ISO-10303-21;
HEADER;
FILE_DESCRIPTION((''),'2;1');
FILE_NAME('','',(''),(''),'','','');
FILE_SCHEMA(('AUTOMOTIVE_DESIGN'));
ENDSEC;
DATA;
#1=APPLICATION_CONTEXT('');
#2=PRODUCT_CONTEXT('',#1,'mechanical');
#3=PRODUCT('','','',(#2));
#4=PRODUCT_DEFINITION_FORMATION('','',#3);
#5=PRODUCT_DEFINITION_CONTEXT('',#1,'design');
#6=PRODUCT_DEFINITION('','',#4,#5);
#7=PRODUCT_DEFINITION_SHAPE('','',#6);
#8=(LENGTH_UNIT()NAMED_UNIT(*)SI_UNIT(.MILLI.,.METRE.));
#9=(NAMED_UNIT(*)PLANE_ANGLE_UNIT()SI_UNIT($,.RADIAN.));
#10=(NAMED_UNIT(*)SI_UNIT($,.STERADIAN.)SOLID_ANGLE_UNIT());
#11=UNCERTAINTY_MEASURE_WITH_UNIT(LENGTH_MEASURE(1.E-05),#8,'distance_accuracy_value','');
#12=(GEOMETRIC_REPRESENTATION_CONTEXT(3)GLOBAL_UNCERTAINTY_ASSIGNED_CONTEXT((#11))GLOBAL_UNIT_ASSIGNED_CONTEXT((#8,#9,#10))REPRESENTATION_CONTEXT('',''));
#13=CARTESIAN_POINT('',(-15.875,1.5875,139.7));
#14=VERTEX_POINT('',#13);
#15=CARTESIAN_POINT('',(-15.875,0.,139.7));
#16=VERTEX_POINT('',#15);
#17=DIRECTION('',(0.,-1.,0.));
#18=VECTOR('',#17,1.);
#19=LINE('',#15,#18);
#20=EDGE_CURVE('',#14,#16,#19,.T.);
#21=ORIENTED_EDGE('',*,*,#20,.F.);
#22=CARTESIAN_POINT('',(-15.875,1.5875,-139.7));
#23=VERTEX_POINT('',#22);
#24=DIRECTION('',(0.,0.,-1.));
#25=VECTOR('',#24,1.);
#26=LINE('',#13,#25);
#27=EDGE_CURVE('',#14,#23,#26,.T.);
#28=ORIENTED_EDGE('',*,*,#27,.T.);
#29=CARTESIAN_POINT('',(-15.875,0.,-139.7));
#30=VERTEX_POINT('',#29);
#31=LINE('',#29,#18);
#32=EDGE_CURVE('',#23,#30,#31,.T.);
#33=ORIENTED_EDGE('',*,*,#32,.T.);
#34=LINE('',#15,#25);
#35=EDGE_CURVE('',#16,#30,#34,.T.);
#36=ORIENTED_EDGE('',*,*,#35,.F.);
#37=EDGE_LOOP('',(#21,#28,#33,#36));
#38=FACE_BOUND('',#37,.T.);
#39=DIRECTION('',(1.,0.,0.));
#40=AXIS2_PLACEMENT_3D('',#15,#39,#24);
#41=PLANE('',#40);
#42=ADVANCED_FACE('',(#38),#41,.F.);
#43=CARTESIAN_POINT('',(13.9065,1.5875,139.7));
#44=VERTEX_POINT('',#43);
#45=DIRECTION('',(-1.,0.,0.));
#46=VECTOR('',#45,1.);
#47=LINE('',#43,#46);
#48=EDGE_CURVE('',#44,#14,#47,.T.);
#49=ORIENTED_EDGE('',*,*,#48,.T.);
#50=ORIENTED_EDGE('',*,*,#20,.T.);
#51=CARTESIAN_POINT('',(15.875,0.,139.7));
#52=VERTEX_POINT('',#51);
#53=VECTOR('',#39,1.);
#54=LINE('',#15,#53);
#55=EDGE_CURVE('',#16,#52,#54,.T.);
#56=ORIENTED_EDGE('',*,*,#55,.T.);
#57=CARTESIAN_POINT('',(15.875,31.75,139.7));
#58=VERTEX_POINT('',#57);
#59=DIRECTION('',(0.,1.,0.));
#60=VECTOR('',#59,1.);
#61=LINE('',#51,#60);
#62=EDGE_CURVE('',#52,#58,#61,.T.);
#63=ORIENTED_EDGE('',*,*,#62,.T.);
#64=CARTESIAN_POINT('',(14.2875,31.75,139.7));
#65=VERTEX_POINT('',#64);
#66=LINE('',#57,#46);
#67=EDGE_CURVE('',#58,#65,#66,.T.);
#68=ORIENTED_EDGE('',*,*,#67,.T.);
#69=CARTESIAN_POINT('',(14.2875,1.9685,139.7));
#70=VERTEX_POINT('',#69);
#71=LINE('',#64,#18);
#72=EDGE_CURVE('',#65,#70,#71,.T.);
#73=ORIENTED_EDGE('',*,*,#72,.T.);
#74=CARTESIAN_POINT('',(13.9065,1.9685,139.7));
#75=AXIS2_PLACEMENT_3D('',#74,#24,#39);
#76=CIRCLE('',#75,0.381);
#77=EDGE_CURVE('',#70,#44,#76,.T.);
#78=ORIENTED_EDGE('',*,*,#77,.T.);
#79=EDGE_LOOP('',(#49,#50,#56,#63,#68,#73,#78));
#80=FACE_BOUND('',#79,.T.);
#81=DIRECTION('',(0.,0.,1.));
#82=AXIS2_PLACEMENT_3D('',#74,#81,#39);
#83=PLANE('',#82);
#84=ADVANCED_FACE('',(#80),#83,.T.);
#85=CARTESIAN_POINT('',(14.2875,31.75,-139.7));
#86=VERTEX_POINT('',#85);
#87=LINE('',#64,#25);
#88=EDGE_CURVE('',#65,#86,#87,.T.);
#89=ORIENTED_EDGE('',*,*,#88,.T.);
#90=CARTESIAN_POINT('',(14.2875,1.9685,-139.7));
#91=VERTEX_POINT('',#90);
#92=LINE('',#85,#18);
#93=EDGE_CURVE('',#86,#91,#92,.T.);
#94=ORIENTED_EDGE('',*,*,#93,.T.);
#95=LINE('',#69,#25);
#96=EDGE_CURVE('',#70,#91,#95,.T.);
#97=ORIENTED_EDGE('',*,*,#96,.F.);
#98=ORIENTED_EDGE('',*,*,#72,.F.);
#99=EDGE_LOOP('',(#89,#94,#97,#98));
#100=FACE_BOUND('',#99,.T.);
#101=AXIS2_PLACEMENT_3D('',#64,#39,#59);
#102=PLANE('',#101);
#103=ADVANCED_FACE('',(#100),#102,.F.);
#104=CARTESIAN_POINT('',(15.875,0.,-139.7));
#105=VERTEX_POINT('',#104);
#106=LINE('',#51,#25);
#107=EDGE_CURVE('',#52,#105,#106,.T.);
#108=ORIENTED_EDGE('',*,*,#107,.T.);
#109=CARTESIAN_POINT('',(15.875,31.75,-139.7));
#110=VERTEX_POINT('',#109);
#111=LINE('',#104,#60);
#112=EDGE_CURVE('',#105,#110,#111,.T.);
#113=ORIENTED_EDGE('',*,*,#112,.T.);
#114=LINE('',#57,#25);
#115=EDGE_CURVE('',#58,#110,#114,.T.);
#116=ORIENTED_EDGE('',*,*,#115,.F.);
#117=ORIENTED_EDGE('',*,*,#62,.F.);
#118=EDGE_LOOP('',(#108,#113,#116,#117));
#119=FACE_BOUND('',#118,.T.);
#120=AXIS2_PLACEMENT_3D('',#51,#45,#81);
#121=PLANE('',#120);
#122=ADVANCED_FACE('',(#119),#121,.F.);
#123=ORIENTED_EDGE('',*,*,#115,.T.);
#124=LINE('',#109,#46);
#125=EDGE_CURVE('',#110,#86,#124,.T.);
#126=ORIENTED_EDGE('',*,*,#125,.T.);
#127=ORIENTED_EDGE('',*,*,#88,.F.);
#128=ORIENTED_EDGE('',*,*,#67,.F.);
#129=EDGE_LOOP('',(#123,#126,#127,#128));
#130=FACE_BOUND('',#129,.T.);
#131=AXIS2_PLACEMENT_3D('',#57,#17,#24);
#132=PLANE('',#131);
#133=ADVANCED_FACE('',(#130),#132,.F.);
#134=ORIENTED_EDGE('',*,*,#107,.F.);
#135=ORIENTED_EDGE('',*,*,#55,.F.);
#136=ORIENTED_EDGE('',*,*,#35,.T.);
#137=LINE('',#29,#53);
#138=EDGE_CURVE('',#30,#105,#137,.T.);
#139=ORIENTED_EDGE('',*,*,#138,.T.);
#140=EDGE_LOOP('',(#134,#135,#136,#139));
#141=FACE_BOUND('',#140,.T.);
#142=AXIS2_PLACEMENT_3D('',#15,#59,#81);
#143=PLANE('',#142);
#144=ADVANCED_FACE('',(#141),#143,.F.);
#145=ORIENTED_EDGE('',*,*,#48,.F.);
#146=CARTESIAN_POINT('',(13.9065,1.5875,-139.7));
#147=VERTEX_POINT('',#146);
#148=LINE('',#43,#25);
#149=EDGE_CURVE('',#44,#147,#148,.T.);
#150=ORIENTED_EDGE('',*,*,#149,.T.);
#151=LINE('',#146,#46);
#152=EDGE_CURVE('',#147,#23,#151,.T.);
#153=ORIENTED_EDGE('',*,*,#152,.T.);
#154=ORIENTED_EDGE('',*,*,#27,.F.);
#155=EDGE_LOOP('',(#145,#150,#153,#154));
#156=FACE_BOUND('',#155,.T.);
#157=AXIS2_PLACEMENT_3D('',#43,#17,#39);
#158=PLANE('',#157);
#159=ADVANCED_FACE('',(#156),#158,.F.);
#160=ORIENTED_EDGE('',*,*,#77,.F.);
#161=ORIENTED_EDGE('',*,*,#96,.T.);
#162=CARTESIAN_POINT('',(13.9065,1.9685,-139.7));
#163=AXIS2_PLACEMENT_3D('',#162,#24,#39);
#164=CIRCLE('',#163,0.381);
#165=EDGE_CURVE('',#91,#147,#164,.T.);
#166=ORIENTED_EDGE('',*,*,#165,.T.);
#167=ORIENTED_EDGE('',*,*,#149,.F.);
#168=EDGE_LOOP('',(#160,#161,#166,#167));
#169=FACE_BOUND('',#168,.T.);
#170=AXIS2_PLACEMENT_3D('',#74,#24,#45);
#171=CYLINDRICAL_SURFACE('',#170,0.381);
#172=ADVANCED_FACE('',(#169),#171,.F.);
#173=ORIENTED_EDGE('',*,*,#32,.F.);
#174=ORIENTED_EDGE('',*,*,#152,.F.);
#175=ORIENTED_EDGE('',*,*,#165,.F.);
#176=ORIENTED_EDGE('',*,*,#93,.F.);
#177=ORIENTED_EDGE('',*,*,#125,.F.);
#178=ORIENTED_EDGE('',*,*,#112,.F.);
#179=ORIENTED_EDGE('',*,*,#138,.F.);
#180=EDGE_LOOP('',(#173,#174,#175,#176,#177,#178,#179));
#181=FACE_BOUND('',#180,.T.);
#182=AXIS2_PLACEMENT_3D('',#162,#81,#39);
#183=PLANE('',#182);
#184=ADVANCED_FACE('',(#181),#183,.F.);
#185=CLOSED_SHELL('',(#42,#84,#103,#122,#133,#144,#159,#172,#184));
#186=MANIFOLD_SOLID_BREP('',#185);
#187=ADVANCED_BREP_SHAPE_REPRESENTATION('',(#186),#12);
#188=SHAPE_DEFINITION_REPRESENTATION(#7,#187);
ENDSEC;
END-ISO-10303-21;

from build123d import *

# Parameters (mm, degrees)
BOSS_EXTRUDE1_DEPTH = 139.7


with BuildPart() as part:
    # Sketch2 → Boss-Extrude1 (new, symmetric)
    with BuildSketch(Plane.XY):
        with BuildLine():
            Line((-15.875, 0), (15.875, 0))
            Line((15.875, 0), (15.875, 31.75))
            Line((15.875, 31.75), (14.2875, 31.75))
            Line((14.2875, 31.75), (14.2875, 1.9685))
            ThreePointArc((14.2875, 1.9685), (14.175907684, 1.699092316), (13.9065, 1.5875))
            Line((13.9065, 1.5875), (-15.875, 1.5875))
            Line((-15.875, 1.5875), (-15.875, 0))
        make_face()
    extrude(amount=BOSS_EXTRUDE1_DEPTH, both=True)


solid = part.part
